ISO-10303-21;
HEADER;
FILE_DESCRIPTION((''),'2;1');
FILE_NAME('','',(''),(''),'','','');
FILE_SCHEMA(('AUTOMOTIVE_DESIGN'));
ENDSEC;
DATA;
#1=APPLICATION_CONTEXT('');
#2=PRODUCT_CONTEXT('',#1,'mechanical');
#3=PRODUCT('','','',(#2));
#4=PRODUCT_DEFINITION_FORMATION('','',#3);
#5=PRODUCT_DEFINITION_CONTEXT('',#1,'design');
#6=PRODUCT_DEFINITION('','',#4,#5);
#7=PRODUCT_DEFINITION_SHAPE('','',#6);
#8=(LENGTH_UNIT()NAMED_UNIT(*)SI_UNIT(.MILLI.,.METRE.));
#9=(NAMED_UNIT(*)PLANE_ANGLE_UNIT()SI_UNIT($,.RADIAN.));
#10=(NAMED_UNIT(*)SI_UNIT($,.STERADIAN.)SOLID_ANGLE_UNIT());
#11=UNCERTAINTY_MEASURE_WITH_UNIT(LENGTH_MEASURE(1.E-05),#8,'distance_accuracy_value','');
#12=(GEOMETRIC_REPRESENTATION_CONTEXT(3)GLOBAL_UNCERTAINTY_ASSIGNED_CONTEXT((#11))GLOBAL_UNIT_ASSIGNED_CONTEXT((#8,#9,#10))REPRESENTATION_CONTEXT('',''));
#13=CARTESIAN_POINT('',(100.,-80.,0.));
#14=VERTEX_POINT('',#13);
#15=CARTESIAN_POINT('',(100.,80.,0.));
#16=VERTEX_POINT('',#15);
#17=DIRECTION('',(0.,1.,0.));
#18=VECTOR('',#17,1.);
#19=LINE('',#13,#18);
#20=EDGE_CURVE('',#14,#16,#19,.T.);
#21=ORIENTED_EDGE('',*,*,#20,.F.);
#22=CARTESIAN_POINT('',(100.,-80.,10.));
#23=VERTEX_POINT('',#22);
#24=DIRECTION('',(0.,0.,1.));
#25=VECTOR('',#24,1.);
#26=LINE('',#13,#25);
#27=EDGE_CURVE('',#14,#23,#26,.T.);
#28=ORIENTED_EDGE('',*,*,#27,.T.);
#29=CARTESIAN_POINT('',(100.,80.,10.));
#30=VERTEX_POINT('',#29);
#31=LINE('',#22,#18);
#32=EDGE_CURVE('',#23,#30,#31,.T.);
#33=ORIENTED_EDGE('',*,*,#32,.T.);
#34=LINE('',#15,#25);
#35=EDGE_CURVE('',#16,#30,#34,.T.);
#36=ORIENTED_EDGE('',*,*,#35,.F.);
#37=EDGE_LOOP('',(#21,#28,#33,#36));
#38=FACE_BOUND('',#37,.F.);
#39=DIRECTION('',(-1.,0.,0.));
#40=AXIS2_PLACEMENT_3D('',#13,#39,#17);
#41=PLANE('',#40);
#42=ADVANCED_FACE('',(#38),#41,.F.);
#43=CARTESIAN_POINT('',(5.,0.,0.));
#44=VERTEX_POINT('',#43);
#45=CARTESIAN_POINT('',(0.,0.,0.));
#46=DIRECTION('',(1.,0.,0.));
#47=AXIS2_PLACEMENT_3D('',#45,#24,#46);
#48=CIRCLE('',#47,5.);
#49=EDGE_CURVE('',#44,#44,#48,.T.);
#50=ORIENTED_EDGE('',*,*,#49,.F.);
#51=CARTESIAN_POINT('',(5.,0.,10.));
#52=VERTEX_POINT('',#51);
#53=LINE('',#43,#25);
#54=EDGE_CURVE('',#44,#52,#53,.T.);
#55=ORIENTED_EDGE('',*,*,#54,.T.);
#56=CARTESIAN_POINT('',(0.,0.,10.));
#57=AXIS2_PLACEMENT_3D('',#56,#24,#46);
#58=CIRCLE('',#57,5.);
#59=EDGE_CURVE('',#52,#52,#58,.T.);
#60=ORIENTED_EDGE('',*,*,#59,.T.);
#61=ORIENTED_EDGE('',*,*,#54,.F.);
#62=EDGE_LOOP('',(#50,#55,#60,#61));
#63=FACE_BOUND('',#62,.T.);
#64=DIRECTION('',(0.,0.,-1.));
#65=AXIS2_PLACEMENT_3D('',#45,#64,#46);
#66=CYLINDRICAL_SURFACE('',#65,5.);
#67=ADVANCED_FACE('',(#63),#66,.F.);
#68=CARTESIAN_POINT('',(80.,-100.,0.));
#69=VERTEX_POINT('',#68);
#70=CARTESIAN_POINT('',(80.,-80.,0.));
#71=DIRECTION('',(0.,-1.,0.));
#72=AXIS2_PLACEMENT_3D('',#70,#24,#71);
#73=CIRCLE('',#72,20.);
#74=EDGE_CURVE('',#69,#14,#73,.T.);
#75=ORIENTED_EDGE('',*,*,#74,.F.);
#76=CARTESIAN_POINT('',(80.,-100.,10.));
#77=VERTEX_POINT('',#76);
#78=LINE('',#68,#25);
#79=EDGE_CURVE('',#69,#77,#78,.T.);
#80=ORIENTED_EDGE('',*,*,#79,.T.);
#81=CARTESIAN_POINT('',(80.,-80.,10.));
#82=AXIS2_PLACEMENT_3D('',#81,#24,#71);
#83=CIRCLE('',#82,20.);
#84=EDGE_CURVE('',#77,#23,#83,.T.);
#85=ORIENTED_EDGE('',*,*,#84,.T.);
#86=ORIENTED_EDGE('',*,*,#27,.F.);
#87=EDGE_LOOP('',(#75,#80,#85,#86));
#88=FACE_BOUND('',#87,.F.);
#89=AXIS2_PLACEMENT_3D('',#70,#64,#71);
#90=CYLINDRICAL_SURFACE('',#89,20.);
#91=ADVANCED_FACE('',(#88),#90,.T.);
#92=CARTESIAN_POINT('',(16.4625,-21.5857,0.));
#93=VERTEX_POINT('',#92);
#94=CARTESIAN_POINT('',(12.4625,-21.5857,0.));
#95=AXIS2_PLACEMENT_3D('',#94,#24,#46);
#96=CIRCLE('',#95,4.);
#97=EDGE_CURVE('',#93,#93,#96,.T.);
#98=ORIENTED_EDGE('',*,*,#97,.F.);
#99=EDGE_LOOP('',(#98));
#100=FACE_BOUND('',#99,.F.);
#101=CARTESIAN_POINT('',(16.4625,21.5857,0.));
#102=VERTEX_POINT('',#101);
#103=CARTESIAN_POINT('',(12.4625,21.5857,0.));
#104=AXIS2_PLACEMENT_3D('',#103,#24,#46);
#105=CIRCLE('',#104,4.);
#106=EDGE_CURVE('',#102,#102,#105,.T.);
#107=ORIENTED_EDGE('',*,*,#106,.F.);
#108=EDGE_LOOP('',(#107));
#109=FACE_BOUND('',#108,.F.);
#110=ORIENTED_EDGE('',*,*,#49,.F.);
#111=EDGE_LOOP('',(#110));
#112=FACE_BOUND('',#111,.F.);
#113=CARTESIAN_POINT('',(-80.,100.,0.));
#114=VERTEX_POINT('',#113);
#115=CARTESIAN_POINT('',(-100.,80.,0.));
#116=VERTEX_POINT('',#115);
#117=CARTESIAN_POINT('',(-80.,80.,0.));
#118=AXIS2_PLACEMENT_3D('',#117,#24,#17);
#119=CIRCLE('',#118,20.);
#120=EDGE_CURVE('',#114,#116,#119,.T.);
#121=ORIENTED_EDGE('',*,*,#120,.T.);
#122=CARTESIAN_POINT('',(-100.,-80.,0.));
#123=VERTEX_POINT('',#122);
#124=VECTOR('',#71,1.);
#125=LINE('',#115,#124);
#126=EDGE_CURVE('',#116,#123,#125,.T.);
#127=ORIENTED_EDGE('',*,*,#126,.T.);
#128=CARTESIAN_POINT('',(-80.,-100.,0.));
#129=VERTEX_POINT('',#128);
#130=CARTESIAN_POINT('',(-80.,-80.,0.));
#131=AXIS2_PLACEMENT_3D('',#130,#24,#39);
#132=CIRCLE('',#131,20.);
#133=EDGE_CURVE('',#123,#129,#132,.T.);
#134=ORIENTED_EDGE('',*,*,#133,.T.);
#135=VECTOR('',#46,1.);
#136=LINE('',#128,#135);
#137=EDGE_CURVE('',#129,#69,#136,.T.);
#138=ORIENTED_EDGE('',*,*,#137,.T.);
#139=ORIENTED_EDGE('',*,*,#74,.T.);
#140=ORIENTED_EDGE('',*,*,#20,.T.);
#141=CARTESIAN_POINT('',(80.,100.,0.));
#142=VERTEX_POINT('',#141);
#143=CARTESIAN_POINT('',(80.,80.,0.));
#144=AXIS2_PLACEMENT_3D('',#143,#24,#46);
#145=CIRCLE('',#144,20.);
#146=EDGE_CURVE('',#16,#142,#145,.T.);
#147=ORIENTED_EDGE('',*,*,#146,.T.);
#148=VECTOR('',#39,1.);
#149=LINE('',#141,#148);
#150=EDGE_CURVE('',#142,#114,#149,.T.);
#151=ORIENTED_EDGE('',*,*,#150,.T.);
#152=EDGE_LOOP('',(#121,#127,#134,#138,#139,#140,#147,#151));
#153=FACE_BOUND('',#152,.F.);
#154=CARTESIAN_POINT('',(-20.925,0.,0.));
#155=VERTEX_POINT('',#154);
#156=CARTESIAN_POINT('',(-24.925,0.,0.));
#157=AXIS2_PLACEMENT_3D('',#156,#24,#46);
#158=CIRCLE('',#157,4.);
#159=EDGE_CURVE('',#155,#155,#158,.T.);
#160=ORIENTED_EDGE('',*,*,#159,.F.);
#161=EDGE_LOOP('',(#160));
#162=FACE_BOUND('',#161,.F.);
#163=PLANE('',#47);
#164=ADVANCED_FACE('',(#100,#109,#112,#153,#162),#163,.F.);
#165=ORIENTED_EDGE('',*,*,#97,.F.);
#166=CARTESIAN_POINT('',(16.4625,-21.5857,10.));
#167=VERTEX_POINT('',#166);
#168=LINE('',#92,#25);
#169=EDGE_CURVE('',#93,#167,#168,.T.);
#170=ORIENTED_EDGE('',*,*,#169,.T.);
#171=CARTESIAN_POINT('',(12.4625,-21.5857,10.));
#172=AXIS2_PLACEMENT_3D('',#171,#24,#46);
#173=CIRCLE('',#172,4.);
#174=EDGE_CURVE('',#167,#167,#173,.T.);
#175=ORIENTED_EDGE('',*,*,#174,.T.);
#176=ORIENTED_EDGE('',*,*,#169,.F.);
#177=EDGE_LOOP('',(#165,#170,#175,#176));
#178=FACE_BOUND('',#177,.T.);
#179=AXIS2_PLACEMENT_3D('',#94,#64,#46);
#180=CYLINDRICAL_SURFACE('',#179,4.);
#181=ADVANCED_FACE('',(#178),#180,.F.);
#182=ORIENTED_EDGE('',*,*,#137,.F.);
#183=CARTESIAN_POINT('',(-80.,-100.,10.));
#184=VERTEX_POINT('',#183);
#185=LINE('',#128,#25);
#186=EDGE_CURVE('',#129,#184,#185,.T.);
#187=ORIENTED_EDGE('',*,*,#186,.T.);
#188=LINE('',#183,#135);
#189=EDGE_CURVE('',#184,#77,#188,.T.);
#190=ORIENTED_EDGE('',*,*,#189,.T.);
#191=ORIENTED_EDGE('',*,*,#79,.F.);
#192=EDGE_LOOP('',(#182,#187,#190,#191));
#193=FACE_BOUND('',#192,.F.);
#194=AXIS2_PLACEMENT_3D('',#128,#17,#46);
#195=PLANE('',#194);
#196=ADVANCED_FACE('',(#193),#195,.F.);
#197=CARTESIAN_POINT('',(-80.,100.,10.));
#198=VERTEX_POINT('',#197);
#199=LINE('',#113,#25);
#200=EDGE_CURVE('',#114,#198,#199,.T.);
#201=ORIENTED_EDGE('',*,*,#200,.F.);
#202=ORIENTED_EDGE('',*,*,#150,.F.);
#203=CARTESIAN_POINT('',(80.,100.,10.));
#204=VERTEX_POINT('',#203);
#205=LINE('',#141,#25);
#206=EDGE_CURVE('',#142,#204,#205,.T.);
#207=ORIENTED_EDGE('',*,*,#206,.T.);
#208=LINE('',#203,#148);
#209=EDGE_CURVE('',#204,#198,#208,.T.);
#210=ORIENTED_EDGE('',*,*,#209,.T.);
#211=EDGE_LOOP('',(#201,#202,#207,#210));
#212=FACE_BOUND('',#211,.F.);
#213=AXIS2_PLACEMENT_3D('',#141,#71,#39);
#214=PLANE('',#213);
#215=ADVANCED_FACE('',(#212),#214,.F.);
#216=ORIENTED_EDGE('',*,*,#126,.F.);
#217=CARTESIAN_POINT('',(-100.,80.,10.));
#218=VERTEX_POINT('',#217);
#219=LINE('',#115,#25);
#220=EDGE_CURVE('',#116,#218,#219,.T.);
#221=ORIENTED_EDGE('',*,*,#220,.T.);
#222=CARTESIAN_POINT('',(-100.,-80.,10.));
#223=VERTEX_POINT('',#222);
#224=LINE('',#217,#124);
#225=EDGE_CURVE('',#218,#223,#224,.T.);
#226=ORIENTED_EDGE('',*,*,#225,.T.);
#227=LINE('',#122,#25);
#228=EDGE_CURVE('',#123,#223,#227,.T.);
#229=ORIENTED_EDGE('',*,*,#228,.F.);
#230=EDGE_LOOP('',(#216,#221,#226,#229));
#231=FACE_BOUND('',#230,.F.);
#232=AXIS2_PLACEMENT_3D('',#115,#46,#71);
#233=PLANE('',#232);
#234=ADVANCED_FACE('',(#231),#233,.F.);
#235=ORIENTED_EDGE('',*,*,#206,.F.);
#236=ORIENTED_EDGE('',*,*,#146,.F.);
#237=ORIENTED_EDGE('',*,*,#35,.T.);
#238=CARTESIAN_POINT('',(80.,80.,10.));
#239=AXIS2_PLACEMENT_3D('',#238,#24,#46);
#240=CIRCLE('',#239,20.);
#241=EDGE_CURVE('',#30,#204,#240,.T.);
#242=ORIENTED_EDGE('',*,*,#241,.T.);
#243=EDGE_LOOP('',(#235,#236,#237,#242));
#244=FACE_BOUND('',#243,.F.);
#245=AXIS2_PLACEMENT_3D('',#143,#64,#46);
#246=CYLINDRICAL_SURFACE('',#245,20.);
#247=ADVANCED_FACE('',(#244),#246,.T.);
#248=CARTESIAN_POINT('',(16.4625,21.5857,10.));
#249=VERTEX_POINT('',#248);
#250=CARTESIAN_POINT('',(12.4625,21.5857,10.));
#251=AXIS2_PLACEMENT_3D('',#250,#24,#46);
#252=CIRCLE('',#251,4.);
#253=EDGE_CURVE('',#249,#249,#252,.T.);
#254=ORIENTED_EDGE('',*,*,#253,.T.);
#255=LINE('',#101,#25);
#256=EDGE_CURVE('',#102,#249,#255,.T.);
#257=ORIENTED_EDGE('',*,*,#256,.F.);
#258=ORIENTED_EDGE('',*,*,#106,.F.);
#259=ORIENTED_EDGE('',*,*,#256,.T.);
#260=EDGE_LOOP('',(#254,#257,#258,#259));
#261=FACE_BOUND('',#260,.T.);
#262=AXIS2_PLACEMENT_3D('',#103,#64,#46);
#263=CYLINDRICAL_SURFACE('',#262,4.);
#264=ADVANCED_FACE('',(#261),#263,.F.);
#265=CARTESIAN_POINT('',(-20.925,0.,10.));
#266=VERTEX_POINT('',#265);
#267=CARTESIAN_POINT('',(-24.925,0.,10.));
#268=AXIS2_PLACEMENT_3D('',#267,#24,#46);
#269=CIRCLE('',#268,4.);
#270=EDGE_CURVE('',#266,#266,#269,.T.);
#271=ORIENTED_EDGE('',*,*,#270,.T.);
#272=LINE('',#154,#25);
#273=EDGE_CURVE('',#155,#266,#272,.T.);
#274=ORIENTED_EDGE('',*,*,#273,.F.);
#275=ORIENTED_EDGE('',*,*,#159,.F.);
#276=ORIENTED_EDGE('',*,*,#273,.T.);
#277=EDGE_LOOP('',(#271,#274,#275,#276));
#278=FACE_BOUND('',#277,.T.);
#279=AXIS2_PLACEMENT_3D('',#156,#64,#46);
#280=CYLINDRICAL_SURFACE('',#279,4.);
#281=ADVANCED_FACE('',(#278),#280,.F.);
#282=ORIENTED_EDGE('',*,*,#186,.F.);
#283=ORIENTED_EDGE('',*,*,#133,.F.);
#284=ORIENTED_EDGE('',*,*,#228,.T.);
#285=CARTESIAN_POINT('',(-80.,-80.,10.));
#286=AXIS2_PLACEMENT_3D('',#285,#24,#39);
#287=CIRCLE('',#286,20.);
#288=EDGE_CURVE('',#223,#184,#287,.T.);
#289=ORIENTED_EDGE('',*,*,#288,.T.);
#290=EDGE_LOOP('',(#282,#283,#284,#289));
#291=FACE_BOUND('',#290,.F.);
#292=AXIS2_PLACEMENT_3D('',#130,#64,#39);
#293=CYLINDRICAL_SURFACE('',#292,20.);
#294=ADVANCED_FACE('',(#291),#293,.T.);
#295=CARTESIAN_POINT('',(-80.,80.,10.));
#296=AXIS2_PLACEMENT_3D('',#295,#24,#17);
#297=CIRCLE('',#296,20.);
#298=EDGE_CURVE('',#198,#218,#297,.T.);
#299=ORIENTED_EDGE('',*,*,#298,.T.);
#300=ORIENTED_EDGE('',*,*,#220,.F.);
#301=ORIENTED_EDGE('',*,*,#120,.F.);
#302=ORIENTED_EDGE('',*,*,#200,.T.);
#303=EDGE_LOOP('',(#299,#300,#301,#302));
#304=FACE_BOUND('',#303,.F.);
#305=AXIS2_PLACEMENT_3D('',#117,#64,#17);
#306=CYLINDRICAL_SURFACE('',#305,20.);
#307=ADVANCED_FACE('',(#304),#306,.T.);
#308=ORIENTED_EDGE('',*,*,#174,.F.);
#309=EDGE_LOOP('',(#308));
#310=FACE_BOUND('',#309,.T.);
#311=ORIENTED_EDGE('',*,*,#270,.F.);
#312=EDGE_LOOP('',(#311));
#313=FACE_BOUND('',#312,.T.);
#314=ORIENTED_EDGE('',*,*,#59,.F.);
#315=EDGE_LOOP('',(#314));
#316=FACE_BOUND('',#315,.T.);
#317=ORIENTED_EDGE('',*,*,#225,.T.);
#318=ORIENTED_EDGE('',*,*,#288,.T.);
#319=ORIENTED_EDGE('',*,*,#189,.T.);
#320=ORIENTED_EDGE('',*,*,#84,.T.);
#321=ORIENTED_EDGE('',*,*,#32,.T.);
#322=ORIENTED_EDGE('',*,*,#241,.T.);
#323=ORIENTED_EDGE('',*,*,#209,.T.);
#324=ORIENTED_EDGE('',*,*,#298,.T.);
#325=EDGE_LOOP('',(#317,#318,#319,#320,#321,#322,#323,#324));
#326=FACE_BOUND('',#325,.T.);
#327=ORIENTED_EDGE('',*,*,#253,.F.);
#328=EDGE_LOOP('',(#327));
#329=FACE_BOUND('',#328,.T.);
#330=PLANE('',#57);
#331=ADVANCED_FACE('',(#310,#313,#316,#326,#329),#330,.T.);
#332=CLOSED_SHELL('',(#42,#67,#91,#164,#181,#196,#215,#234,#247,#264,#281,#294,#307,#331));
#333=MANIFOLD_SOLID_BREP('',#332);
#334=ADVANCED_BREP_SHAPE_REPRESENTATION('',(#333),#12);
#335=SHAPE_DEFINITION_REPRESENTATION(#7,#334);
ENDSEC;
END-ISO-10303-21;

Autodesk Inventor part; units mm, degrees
ref_plane "YZ Plane" through (0, 0, 0) normal (1, 0, 0) x (0, 1, 0)
ref_plane "XZ Plane" through (0, 0, 0) normal (0, 1, 0) x (-1, 0, 0)
ref_plane "XY Plane" through (0, 0, 0) normal (0, 0, 1) x (1, 0, 0)
sketch "Sketch1" plane through (0, 0, 0) normal (0, 0, 1) x (1, 0, 0)
  circle A0 centre (0, 0) radius 14.925 construction
  circle A1 centre (12.4625, 21.5857) radius 4
  circle A2 centre (-24.925, 0) radius 4
  circle A3 centre (12.4625, -21.5857) radius 4
  line L0 (12.4625, -21.5857) -> (12.4625, 21.5857) construction
  line L1 (12.4625, 21.5857) -> (-24.925, 0) construction
  line L2 (-24.925, 0) -> (12.4625, -21.5857) construction
  line L3 (12.4625, 21.5857) -> (7.4625, 12.9254) construction
  line L4 (-14.925, 0) -> (-24.925, 0) construction
  line L5 (12.4625, -21.5857) -> (7.4625, -12.9254) construction
  line L6 (80, 100) -> (-80, 100)
  line L7 (-100, 80) -> (-100, -80)
  line L8 (-80, -100) -> (80, -100)
  line L9 (100, -80) -> (100, 80)
  arc A4 (100, 80) -> (80, 100) centre (80, 80) ccw
  arc A5 (-80, 100) -> (-100, 80) centre (-80, 80) ccw
  arc A6 (-100, -80) -> (-80, -100) centre (-80, -80) ccw
  arc A7 (80, -100) -> (100, -80) centre (80, -80) ccw
  circle A8 centre (0, 0) radius 5
  point P0 (100, 100)
  point P1 (-100, -100)
  point P2 (-100, 100)
  dimension "d0" = 29.85
  dimension "d1" = 8
  dimension "d2" = 10
  dimension "d3" = 200
  dimension "d4" = 200
  dimension "d5" = 100
  dimension "d6" = 100
  dimension "d7" = 20
  dimension "d10" = 10
extrude "Extrusion1" add sketch "Sketch1" along normal blind 10
properties part number "Tractor_Static_4"
